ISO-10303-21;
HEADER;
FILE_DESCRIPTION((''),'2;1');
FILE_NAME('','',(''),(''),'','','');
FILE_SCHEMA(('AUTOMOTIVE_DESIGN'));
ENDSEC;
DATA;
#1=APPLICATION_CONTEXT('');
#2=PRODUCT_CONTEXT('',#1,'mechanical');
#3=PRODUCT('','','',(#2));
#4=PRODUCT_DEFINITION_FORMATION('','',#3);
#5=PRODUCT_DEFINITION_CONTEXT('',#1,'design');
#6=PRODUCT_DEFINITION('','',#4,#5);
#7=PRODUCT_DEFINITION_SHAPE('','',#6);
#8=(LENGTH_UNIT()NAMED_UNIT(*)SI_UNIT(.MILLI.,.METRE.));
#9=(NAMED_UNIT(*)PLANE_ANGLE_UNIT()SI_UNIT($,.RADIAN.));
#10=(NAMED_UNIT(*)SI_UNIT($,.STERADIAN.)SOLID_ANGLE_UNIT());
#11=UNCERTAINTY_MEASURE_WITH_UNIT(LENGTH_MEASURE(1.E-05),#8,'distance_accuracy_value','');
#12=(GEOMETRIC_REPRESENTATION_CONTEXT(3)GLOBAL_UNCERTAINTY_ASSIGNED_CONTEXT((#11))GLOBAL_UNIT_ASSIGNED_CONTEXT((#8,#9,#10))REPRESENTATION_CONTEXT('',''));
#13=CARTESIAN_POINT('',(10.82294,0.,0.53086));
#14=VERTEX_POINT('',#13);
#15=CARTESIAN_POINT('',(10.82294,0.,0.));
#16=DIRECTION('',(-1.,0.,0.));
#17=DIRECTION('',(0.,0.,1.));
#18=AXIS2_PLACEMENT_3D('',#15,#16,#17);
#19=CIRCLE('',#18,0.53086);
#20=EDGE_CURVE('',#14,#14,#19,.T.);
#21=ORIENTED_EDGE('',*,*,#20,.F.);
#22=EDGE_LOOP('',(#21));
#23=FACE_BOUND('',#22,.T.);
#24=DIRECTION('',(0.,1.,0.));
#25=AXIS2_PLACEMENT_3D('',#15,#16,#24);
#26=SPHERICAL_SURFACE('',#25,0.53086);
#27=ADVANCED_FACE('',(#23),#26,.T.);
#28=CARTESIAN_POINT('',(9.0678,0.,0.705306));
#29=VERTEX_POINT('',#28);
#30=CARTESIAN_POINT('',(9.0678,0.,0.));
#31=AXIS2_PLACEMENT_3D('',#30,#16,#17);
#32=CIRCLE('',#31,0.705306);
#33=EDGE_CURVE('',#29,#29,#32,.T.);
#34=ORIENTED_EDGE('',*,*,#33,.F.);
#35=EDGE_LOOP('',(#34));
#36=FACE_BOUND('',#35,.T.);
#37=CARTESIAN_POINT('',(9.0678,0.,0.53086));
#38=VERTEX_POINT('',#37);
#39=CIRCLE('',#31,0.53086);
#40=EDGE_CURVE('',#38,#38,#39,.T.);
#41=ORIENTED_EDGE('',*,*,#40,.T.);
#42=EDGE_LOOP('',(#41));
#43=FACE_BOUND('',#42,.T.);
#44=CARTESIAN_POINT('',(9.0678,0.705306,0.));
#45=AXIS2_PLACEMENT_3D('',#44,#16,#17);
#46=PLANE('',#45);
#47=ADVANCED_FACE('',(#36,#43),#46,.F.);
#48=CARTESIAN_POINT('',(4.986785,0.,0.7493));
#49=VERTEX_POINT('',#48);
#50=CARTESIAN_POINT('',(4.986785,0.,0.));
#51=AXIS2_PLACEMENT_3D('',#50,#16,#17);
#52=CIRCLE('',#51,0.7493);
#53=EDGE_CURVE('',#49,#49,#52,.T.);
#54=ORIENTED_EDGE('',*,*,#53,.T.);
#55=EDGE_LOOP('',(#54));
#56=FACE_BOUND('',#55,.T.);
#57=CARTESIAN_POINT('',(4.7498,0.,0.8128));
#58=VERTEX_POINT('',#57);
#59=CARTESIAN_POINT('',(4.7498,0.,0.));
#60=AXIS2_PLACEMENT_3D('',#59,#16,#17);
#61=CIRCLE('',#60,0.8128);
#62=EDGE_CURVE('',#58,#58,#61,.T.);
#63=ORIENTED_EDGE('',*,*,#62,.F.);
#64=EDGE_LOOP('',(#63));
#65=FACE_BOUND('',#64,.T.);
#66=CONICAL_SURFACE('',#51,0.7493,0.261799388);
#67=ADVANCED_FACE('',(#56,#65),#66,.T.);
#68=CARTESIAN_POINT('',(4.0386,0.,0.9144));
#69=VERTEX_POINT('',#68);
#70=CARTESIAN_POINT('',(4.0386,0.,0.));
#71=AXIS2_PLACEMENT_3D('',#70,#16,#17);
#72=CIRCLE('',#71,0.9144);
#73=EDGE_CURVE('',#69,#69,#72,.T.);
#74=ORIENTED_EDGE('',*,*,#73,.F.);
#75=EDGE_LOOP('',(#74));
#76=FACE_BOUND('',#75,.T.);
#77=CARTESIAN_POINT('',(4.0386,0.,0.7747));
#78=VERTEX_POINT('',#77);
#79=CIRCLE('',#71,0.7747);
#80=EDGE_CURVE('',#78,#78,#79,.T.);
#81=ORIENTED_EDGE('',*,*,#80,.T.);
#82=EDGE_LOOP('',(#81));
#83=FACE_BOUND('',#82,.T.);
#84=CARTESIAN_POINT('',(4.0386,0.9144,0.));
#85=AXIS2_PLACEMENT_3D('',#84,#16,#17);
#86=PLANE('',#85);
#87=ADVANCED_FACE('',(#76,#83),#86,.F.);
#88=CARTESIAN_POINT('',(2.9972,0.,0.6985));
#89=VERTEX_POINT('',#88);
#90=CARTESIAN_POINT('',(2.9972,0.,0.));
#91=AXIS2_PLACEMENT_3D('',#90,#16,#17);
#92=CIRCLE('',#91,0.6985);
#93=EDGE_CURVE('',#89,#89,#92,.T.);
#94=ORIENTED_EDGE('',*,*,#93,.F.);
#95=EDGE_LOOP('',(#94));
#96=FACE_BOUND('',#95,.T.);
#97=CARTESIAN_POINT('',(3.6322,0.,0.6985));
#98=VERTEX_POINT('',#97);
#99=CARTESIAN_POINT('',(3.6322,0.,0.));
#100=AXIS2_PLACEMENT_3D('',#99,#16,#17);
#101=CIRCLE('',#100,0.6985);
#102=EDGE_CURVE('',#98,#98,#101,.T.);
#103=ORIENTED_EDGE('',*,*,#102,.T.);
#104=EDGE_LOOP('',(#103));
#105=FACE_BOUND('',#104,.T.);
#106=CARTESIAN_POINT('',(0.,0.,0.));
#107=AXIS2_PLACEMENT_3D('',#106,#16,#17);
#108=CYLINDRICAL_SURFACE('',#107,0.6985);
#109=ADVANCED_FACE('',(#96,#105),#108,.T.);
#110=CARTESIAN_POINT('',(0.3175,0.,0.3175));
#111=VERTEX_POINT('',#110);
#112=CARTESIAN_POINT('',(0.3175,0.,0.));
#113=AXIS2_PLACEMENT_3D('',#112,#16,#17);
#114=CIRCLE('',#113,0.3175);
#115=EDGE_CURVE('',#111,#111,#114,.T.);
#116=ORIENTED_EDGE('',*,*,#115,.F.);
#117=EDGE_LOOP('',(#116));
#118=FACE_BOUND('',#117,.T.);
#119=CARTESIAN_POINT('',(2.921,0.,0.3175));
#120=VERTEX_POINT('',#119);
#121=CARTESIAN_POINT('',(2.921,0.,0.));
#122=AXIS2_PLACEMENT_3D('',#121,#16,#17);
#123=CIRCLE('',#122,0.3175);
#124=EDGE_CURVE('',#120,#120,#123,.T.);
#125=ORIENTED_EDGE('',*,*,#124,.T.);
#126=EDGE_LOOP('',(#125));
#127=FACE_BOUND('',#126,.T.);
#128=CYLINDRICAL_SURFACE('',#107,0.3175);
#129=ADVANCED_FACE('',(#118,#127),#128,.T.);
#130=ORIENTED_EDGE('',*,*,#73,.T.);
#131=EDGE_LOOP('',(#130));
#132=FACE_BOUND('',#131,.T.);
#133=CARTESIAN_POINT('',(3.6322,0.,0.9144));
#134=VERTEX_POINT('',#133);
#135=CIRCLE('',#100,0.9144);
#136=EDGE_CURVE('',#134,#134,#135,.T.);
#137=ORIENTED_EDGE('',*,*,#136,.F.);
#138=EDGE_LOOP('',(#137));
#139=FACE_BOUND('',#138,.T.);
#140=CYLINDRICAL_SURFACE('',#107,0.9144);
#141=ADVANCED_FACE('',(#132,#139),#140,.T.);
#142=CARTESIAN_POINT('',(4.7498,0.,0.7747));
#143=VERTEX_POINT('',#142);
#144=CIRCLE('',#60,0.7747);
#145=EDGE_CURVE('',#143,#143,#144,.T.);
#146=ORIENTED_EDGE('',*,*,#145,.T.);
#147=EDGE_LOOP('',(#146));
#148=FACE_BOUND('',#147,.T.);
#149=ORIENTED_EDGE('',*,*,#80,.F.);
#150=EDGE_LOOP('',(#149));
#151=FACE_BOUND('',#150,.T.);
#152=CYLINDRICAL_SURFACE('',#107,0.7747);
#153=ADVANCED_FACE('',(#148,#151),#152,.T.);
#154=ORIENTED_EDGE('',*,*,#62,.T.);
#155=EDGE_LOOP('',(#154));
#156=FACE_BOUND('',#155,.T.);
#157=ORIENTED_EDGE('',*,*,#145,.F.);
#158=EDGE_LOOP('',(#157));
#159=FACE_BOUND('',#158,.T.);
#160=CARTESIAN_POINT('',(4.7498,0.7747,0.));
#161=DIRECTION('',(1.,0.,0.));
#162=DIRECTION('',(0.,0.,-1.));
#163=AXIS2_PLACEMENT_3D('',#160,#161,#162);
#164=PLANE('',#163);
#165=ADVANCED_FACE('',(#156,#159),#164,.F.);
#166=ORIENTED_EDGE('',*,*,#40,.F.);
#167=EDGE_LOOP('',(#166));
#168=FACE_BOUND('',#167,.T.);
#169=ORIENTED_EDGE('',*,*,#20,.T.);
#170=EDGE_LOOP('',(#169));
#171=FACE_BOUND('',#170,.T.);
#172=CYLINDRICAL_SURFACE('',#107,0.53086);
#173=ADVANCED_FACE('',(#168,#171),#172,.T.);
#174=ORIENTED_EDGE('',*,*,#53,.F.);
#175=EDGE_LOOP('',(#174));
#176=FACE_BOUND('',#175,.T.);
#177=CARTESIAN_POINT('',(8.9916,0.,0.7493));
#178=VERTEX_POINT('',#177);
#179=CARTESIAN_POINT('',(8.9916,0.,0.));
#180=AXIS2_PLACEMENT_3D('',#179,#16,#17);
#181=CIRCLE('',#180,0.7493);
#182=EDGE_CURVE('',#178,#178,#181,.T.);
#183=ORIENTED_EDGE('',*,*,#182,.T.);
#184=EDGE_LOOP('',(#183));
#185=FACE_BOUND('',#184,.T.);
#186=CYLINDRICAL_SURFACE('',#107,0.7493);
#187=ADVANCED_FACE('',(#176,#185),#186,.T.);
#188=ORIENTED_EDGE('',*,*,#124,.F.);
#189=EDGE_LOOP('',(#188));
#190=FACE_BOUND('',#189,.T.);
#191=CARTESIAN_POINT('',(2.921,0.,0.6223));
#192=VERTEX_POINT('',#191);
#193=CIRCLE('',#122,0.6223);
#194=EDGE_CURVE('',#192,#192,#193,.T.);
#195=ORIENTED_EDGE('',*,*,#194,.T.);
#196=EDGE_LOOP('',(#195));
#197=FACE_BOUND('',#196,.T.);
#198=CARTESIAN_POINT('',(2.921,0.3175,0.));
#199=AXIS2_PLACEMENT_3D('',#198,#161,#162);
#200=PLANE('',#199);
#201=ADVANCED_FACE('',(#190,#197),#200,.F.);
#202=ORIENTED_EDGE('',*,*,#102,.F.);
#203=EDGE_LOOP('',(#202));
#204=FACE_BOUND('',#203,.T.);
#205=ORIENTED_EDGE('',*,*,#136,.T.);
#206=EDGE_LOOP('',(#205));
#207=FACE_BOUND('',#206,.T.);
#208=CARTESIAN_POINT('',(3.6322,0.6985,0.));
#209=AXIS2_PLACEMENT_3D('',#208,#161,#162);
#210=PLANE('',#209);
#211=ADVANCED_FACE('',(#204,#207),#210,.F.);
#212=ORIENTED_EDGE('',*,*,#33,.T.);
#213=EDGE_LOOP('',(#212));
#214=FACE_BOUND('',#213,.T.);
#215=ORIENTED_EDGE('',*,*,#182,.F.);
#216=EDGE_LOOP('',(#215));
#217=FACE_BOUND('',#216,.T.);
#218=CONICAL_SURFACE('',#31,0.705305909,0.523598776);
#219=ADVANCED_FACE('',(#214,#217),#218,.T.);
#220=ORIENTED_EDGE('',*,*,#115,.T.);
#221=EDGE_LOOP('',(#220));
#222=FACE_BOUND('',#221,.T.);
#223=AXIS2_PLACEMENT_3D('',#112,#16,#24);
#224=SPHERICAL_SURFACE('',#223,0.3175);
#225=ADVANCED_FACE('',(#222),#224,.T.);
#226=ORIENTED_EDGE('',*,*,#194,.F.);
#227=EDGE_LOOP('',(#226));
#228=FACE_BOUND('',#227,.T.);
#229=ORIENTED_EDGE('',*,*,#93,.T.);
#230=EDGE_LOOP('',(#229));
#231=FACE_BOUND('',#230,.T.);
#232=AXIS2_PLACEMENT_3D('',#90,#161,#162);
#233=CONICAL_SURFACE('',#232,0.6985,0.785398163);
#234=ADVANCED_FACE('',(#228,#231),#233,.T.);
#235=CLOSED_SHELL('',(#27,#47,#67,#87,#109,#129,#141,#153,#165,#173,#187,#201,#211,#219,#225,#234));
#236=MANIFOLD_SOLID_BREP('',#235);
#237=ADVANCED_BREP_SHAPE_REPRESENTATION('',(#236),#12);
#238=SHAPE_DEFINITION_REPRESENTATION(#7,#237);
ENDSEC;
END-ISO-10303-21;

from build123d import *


with BuildPart() as part:
    # Sketch1 → Revolve1 (revolve)
    with BuildSketch(Plane.XY, mode=Mode.PRIVATE) as revolve1_sk:
        with BuildLine():
            Line((0, 0), (11.3538, 0))
            ThreePointArc((11.3538, 0), (11.198314706, 0.375374706), (10.82294, 0.53086))
            Line((10.82294, 0.53086), (9.0678, 0.53086))
            Line((9.0678, 0.53086), (9.0678, 0.705305909))
            Line((9.0678, 0.705305909), (8.9916, 0.7493))
            Line((8.9916, 0.7493), (4.986785226, 0.7493))
            Line((4.986785226, 0.7493), (4.7498, 0.8128))
            Line((4.7498, 0.8128), (4.7498, 0.7747))
            Line((4.7498, 0.7747), (4.0386, 0.7747))
            Line((4.0386, 0.7747), (4.0386, 0.9144))
            Line((4.0386, 0.9144), (3.6322, 0.9144))
            Line((3.6322, 0.9144), (3.6322, 0.6985))
            Line((3.6322, 0.6985), (2.9972, 0.6985))
            Line((2.9972, 0.6985), (2.921, 0.6223))
            Line((2.921, 0.6223), (2.921, 0.3175))
            Line((2.921, 0.3175), (0.3175, 0.3175))
            ThreePointArc((0.3175, 0.3175), (0.092993597, 0.224506403), (0, 0))
        make_face()
    revolve(revolve1_sk.sketch.rotate(Axis((0, 0, 0), (1, 0, 0)), 90), axis=Axis((0, 0, 0), (1, 0, 0)))


solid = part.part
